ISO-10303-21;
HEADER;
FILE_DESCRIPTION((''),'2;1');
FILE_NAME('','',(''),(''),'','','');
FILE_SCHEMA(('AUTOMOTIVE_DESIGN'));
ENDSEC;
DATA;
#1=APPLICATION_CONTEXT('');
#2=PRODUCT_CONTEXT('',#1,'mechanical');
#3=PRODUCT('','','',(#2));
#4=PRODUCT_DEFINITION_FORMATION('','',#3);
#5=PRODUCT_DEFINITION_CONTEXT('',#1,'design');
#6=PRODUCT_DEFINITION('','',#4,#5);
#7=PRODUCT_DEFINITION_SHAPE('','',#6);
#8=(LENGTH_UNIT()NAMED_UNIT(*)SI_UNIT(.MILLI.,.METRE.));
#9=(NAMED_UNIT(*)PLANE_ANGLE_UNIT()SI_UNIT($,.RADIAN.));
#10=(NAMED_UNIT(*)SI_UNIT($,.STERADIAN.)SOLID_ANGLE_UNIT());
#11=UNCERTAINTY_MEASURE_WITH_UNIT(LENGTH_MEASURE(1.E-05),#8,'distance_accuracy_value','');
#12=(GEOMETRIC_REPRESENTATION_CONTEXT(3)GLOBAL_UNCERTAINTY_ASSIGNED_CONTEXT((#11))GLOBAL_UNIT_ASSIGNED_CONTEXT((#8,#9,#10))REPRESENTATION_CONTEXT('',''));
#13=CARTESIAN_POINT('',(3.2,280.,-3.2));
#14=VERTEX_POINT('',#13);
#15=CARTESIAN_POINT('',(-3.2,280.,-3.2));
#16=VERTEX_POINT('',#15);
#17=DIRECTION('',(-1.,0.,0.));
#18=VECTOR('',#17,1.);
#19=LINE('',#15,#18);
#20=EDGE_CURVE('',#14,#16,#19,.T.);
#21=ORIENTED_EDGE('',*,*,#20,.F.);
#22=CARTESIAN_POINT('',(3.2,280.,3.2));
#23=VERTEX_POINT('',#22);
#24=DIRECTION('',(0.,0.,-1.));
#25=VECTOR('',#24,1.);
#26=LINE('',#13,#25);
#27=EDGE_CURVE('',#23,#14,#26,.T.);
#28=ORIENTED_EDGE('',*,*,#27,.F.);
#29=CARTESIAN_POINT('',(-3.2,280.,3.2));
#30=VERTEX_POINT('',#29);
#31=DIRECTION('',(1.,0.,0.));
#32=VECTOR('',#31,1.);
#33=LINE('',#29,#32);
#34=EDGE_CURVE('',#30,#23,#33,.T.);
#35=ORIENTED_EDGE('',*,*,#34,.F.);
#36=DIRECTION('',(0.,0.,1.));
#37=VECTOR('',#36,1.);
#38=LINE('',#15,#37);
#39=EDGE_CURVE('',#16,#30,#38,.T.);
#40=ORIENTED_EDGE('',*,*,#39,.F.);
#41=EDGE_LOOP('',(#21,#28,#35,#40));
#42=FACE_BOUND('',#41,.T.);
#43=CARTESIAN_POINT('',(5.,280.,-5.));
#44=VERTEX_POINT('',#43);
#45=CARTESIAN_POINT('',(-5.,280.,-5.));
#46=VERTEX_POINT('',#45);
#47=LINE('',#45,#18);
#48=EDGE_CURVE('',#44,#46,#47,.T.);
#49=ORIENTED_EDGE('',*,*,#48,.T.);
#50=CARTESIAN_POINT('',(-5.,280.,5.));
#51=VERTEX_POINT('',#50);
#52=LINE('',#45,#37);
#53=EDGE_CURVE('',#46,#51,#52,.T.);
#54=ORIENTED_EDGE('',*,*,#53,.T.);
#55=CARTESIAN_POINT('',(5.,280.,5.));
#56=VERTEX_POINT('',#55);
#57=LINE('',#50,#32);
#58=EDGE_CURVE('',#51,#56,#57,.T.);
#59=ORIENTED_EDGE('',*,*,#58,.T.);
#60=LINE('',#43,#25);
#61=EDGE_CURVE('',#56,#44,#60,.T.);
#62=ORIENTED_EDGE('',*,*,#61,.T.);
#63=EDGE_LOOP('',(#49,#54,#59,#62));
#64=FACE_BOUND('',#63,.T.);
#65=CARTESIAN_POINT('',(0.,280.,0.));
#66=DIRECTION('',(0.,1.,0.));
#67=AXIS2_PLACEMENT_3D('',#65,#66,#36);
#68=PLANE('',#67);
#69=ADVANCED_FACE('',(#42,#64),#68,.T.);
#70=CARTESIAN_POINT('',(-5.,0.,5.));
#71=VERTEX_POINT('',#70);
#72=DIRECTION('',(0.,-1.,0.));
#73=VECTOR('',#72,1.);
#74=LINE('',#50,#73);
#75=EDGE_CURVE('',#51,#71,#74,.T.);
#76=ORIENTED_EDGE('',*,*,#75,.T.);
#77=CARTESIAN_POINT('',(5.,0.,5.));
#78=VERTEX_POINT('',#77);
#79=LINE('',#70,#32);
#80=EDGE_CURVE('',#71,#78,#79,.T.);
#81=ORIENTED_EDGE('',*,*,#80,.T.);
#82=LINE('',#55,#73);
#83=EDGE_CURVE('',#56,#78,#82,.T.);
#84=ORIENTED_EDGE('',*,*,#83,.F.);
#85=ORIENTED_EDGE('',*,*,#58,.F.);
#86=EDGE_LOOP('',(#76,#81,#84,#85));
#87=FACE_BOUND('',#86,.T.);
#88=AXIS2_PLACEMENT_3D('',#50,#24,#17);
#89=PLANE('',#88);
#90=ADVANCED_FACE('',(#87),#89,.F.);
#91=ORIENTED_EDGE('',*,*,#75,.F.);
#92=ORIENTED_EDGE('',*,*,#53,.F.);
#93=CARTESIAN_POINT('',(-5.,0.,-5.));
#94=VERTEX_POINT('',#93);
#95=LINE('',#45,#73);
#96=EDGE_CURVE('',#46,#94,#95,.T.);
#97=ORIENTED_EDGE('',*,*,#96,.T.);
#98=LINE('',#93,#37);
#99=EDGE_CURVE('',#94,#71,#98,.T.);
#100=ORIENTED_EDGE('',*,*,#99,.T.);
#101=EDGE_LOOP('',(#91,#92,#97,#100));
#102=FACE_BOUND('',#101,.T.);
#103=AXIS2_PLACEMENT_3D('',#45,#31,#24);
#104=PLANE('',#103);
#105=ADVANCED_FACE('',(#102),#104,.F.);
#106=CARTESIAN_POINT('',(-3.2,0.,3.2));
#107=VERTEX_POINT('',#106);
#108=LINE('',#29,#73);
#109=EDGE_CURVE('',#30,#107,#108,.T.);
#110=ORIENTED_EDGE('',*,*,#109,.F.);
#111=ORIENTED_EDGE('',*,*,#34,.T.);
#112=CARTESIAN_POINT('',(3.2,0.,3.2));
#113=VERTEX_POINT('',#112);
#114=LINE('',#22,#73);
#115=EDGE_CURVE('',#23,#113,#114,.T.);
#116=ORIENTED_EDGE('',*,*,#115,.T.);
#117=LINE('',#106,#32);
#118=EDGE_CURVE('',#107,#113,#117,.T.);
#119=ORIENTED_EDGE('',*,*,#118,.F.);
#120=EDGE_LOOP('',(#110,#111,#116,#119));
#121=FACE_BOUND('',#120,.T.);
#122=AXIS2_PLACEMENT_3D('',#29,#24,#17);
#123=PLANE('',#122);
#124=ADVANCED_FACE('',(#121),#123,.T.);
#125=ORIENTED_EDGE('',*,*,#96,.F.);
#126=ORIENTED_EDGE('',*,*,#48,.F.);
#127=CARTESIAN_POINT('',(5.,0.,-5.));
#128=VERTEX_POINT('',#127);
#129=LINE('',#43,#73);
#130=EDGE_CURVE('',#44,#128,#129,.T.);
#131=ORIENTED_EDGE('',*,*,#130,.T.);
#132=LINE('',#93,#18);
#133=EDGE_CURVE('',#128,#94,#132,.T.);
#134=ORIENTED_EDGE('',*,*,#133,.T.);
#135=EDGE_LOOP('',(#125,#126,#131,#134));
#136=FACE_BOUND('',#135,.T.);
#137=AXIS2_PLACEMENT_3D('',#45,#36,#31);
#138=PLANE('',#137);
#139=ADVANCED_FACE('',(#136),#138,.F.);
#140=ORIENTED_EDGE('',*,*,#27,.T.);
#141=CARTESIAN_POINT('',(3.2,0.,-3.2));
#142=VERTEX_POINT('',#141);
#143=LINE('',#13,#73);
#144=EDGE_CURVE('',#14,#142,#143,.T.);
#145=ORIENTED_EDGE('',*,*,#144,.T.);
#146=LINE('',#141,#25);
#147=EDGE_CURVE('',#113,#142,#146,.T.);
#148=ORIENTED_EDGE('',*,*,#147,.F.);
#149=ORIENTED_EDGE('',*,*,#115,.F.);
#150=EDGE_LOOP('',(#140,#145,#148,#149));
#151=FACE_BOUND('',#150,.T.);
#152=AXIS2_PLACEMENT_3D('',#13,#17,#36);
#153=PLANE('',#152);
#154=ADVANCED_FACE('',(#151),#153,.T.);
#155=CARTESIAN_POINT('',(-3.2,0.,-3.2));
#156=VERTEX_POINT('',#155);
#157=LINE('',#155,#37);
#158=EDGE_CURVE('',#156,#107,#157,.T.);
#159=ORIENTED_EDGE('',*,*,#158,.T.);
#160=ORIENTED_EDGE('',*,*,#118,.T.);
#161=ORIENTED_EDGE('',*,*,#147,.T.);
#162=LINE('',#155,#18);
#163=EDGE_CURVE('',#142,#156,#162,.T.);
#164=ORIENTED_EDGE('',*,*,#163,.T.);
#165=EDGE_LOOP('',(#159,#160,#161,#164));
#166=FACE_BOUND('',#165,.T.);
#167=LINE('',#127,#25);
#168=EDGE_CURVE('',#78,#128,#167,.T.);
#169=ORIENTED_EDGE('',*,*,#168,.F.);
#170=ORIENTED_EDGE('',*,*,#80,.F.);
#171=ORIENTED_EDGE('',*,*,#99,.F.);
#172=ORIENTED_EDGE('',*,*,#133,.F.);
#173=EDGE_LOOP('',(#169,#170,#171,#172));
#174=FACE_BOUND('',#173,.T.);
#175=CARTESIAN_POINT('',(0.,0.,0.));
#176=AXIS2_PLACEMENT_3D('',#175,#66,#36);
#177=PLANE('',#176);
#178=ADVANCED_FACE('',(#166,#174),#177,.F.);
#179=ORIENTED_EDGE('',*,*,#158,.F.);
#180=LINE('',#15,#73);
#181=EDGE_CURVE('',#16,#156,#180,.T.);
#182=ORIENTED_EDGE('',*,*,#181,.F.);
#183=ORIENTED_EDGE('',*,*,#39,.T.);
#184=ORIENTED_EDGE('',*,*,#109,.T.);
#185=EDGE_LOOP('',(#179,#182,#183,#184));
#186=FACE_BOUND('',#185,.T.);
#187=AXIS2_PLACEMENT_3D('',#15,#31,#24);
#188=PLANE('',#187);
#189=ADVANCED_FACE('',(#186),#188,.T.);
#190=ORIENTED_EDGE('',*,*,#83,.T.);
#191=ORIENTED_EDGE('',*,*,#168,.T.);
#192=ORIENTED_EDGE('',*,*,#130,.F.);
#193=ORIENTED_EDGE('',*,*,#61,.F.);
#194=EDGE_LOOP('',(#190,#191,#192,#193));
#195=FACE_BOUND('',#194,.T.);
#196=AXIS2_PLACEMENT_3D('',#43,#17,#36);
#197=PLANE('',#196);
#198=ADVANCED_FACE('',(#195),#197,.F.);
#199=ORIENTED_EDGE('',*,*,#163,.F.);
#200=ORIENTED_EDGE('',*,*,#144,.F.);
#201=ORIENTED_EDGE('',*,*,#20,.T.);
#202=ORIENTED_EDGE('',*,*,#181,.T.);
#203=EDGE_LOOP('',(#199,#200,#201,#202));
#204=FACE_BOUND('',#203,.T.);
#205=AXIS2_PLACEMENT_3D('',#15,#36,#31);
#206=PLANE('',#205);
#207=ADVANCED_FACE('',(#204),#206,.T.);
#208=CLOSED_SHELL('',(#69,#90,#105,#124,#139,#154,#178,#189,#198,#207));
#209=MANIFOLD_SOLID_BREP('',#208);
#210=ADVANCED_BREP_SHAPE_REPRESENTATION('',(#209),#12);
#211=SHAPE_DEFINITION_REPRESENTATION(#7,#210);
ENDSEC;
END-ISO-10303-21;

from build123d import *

# Parameters (mm, degrees)
SKETCH_1_W      = 10
SKETCH_1_H      = 10
SKETCH_1_W_2    = 6.4
SKETCH_1_H_2    = 6.4
EXTRUDE_1_DEPTH = 280


with BuildPart() as part:
    # 草图1 → 凸台-拉伸1 (new body)
    with BuildSketch(Plane(origin=(0, 0, 0), x_dir=(1, 0, 0), z_dir=(0, 1, 0))):
        Rectangle(SKETCH_1_W, SKETCH_1_H)
        Rectangle(SKETCH_1_W_2, SKETCH_1_H_2, mode=Mode.SUBTRACT)
    extrude(amount=EXTRUDE_1_DEPTH)


solid = part.part
